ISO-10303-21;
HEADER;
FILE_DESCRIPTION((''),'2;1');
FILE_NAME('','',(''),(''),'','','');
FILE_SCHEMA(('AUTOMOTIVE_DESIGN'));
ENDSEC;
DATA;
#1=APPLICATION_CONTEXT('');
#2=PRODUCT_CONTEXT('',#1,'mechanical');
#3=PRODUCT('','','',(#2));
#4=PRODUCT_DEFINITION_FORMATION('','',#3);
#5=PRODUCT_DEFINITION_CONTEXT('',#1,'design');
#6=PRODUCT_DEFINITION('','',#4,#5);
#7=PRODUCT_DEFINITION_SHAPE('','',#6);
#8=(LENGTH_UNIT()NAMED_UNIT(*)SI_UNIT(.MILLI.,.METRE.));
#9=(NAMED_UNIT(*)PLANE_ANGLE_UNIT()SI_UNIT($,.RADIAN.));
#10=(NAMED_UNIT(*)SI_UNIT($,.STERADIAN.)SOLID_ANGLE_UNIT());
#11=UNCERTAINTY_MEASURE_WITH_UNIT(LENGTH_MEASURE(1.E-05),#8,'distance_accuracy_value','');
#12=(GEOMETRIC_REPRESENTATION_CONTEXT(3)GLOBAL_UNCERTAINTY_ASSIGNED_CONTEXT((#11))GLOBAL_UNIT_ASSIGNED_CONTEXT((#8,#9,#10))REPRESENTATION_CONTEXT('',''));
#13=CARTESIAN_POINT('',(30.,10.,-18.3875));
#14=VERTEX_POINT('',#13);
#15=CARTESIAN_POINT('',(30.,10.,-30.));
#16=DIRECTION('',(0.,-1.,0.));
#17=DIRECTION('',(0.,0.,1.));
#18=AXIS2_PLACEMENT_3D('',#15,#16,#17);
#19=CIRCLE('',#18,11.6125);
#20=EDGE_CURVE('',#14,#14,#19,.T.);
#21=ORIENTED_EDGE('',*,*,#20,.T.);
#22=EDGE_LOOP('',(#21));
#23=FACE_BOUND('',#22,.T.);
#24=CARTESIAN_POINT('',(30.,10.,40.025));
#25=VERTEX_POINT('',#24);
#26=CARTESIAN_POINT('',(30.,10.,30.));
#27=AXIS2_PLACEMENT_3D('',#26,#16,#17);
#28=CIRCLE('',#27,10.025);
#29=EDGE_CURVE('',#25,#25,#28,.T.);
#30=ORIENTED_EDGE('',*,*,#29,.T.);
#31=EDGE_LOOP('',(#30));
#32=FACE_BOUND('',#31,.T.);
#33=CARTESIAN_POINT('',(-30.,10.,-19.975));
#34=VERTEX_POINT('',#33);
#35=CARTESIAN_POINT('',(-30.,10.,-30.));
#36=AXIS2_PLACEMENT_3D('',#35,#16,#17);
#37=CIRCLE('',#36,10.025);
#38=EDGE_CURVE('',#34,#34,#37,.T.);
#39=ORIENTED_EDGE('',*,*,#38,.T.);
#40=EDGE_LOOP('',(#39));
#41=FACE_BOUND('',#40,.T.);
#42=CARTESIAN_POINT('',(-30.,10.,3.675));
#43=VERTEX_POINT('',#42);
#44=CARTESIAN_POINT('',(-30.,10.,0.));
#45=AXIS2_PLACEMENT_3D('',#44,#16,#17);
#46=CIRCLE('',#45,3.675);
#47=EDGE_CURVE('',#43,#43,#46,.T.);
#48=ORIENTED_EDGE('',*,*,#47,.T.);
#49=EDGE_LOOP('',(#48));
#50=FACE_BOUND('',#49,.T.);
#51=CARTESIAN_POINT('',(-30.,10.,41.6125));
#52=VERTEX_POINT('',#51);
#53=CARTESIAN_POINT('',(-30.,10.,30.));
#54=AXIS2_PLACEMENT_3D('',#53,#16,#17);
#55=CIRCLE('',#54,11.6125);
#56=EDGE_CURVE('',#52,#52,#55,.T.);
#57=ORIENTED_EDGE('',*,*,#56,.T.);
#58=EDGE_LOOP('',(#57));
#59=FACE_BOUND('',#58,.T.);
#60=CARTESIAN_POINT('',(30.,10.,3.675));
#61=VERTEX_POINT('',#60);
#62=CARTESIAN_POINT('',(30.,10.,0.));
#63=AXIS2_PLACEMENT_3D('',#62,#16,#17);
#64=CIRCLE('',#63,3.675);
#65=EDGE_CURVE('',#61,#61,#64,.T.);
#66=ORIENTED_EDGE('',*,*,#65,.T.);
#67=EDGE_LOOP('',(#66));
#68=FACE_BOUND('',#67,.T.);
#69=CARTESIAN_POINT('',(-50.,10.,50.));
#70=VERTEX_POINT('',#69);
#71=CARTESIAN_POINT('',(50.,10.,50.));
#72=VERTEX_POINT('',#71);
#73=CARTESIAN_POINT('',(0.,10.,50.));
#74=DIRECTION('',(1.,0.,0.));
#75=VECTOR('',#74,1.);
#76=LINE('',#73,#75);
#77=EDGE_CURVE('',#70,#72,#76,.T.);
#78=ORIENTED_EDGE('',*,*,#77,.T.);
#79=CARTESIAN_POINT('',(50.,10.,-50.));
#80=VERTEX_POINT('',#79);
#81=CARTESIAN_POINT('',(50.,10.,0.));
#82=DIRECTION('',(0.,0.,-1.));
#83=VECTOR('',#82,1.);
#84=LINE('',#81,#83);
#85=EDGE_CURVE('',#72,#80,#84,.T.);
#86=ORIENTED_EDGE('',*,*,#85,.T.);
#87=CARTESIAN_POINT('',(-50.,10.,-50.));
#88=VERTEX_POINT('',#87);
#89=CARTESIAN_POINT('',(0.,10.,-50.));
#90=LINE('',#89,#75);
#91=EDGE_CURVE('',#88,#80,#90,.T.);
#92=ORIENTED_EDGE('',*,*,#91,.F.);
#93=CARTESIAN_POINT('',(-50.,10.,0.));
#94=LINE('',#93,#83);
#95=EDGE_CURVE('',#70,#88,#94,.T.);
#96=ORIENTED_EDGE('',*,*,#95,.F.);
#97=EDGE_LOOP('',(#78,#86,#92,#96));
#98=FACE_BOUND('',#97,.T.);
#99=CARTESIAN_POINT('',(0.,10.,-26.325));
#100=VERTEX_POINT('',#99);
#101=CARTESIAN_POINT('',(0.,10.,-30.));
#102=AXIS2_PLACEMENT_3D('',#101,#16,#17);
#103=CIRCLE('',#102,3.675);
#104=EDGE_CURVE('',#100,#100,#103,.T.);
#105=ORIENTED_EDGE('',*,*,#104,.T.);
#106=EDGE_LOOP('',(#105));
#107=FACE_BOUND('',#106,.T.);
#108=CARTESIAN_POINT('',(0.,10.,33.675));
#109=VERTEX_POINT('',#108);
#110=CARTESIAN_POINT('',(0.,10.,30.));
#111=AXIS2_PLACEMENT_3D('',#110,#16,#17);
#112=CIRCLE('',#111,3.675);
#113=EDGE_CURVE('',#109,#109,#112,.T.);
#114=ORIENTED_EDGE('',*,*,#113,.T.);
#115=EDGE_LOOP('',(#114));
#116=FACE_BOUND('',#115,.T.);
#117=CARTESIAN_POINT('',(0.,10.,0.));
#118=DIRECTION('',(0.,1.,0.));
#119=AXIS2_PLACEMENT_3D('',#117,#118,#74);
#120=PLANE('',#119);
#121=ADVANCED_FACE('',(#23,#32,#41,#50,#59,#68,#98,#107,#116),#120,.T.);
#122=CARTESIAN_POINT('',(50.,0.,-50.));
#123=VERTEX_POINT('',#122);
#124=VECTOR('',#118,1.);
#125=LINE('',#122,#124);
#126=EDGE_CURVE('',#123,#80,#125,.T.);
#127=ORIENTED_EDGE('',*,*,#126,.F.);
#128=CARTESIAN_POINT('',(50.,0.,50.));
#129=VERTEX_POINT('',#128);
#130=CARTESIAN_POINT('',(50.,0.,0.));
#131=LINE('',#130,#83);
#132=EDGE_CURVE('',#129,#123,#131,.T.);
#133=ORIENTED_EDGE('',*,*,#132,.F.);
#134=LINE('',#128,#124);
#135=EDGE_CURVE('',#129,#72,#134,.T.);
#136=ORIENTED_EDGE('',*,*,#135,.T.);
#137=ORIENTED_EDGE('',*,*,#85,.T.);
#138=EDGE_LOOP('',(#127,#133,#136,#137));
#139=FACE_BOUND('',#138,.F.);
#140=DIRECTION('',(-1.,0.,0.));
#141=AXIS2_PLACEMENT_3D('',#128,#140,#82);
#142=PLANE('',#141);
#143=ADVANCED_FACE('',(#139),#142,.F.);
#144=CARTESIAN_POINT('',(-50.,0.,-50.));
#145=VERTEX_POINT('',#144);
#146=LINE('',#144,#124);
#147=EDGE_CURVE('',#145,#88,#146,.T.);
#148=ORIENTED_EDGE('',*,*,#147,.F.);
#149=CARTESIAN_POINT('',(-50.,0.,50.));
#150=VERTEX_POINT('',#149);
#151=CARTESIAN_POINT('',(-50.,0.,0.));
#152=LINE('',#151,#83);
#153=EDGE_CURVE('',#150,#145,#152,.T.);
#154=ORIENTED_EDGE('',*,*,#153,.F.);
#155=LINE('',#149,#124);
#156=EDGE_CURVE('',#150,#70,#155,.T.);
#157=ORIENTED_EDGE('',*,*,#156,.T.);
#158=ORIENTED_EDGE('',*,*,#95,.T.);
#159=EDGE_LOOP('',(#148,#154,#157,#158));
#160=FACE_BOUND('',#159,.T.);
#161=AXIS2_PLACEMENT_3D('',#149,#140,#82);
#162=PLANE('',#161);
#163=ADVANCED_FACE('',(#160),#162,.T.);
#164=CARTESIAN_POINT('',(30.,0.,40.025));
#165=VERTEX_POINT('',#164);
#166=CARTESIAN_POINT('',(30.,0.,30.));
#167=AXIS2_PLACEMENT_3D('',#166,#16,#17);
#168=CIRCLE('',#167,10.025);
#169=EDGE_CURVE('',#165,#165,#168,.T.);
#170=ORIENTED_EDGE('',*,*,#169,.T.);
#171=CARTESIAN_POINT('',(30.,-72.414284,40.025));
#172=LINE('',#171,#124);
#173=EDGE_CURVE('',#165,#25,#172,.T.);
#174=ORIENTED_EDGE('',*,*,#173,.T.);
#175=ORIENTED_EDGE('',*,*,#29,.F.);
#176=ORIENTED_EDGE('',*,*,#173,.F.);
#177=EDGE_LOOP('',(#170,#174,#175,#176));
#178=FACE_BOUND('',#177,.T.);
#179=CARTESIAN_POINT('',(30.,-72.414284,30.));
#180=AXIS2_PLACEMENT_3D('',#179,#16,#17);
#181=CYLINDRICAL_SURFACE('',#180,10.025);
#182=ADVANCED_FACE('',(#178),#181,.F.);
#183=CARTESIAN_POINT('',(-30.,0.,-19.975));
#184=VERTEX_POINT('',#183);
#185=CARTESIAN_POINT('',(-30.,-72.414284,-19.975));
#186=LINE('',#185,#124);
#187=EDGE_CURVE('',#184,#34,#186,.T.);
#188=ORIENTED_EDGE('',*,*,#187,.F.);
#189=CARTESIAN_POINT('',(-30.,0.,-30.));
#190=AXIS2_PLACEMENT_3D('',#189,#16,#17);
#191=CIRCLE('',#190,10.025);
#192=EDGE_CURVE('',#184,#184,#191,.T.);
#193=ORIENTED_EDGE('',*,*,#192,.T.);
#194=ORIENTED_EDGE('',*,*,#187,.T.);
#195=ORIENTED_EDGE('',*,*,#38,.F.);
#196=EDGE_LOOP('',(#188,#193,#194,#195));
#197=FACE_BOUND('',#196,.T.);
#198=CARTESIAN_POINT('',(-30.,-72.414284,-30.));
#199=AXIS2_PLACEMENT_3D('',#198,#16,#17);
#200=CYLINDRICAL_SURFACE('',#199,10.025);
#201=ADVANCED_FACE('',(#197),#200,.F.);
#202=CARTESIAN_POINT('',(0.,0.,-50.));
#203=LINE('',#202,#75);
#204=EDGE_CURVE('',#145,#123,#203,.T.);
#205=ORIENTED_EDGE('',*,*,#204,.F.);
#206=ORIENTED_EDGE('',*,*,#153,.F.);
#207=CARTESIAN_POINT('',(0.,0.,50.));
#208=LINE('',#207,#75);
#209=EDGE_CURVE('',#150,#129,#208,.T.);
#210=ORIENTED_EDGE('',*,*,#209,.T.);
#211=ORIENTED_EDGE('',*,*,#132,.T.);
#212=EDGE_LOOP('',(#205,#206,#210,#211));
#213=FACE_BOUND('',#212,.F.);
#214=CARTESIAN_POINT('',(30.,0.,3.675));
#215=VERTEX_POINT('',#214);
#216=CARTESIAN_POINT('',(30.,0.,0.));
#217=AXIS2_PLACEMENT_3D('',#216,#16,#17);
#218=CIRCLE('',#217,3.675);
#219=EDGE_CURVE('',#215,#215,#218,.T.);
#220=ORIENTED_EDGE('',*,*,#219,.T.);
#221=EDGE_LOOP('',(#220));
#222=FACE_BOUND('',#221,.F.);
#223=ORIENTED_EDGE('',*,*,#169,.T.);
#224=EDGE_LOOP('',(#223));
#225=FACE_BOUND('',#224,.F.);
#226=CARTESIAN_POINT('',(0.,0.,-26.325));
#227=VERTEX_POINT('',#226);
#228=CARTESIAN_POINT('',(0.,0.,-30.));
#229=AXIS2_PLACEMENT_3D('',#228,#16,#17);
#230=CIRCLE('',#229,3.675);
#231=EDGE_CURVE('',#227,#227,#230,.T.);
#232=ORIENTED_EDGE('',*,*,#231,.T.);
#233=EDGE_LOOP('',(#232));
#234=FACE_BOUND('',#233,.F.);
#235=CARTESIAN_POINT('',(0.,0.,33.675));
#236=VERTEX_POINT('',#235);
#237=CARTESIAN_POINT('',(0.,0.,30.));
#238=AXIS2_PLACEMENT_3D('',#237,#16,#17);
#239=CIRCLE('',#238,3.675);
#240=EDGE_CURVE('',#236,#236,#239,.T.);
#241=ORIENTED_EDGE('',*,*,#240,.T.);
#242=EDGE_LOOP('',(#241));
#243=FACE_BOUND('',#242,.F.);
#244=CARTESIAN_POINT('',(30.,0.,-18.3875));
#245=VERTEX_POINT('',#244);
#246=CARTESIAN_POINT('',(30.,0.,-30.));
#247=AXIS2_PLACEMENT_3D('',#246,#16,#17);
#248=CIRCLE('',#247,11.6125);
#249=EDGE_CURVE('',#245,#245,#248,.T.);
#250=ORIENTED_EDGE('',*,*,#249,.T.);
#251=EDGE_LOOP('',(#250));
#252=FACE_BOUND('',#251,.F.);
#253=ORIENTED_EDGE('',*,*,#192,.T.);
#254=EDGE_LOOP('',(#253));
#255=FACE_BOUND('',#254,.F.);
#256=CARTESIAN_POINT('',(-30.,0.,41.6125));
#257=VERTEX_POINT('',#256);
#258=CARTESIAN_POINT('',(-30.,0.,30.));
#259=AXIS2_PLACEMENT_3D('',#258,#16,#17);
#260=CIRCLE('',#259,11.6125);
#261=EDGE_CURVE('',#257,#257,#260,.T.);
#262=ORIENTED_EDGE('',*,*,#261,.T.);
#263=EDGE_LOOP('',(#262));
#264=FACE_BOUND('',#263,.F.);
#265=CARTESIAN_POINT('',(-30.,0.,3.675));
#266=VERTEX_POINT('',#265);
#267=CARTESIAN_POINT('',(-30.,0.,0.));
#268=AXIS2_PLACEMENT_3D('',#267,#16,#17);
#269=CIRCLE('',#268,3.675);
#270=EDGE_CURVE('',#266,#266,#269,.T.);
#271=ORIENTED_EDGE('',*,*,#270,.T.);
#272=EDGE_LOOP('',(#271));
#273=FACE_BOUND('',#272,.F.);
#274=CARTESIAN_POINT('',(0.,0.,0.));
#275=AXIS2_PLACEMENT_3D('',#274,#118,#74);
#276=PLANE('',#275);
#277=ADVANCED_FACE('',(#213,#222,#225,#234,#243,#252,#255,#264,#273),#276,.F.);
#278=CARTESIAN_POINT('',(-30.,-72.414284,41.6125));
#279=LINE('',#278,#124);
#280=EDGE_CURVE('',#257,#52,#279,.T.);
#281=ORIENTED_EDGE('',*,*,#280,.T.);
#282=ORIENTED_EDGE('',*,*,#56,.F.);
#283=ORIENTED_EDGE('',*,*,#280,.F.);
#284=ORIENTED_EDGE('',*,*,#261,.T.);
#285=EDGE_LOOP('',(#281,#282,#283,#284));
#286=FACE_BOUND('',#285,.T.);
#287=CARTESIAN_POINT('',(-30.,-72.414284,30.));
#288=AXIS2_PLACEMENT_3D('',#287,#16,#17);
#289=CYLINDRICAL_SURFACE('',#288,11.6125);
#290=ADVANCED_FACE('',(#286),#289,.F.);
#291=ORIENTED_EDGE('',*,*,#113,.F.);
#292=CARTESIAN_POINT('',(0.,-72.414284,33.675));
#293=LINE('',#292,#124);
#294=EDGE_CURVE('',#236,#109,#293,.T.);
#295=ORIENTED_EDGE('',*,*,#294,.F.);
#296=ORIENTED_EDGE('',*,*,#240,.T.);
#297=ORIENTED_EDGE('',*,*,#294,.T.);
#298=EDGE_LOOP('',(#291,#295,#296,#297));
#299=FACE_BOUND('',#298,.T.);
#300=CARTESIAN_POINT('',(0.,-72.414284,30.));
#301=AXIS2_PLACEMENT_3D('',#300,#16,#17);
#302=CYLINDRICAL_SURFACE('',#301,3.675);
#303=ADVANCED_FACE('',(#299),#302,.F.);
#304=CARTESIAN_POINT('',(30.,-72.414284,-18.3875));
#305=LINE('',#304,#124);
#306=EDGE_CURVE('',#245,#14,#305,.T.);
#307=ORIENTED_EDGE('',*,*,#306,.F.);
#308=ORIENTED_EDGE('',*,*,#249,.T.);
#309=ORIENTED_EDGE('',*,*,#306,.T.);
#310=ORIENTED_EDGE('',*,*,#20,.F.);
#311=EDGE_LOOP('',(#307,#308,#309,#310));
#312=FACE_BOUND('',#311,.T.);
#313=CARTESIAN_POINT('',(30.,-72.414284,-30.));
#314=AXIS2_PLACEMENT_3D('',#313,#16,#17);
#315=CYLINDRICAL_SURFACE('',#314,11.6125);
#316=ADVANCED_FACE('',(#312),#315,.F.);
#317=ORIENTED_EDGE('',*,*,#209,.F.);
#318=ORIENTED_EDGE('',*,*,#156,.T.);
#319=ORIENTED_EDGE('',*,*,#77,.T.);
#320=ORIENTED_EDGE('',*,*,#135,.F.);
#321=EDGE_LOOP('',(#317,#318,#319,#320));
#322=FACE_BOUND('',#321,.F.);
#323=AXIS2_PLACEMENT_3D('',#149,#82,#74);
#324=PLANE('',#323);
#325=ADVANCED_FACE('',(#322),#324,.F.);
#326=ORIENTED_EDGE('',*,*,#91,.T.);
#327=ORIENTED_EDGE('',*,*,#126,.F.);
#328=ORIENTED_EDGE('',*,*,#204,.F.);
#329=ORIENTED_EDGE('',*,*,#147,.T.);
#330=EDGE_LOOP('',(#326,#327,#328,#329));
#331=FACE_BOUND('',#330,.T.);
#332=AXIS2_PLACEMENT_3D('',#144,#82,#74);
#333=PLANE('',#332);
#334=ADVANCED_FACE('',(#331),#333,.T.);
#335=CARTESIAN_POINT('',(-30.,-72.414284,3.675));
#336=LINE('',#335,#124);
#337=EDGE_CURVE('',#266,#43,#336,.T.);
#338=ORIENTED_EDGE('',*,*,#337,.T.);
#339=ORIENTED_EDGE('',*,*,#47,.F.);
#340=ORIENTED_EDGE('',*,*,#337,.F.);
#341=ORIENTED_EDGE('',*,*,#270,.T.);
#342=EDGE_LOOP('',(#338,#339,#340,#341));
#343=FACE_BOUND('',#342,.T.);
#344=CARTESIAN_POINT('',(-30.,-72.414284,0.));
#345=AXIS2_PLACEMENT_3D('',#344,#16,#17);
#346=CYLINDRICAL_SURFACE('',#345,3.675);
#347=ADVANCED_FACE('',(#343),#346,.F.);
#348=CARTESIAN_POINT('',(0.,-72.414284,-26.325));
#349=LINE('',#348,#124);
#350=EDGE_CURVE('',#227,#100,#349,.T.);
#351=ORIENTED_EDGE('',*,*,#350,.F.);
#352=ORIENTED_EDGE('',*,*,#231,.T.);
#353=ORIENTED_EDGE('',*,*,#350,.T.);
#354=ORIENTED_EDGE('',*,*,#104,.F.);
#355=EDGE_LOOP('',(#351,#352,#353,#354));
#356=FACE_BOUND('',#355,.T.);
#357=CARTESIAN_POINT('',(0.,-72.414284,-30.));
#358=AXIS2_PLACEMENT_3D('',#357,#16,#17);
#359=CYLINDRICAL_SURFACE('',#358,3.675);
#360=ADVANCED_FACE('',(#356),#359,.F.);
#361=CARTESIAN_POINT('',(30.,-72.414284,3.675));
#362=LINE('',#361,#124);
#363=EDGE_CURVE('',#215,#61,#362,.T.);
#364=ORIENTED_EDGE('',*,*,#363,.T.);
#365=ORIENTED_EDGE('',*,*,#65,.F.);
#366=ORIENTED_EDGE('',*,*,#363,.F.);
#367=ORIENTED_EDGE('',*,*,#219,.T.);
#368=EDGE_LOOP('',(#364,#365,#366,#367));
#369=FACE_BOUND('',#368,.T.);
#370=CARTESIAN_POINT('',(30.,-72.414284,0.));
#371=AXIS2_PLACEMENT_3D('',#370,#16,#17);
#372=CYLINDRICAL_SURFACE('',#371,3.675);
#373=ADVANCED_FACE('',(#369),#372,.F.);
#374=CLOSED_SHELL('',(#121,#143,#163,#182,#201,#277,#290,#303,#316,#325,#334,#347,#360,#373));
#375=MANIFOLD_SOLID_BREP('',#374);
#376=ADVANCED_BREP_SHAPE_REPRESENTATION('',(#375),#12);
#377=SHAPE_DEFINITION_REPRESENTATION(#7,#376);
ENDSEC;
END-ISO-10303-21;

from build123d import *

# Parameters (mm, degrees)
SKETCH1_W               = 100
SKETCH1_H               = 100
BOSS_EXTRUDE1_DEPTH     = 10
CUT_EXTRUDE3_DEPTH      = 72.414284285
CUT_EXTRUDE3_DEPTH_BACK = 72.414284285
SKETCH3_R               = 10.025
SKETCH3_R_2             = 3.675
SKETCH3_R_3             = 11.6125


with BuildPart() as part:
    # Sketch1 → Boss-Extrude1 (new body)
    with BuildSketch(Plane(origin=(0, 0, 0), x_dir=(1, 0, 0), z_dir=(0, 1, 0))):
        Rectangle(SKETCH1_W, SKETCH1_H)
    extrude(amount=BOSS_EXTRUDE1_DEPTH)

    # Sketch3 → Cut-Extrude3 (cut, two sides: drawn at the far end of the back side and taken through both)
    with BuildSketch(Plane(origin=(0, 0, 0), x_dir=(1, 0, 0), z_dir=(0, 1, 0)).offset(-CUT_EXTRUDE3_DEPTH_BACK)):
        with Locations(Location((-30, 30, 0), (0, 0, 270))):
            Circle(SKETCH3_R)
        with Locations(Location((30, -30, 0), (0, 0, 270))):
            Circle(SKETCH3_R)
        with Locations(Location((0, 30, 0), (0, 0, 270))):
            Circle(SKETCH3_R_2)
        with Locations(Location((30, 0, 0), (0, 0, 270))):
            Circle(SKETCH3_R_2)
        with Locations(Location((0, -30, 0), (0, 0, 270))):
            Circle(SKETCH3_R_2)
        with Locations(Location((-30, 0, 0), (0, 0, 270))):
            Circle(SKETCH3_R_2)
        with Locations(Location((30, 30, 0), (0, 0, 270))):
            Circle(SKETCH3_R_3)
        with Locations(Location((-30, -30, 0), (0, 0, 270))):
            Circle(SKETCH3_R_3)
    extrude(amount=CUT_EXTRUDE3_DEPTH + CUT_EXTRUDE3_DEPTH_BACK, mode=Mode.SUBTRACT)


solid = part.part
